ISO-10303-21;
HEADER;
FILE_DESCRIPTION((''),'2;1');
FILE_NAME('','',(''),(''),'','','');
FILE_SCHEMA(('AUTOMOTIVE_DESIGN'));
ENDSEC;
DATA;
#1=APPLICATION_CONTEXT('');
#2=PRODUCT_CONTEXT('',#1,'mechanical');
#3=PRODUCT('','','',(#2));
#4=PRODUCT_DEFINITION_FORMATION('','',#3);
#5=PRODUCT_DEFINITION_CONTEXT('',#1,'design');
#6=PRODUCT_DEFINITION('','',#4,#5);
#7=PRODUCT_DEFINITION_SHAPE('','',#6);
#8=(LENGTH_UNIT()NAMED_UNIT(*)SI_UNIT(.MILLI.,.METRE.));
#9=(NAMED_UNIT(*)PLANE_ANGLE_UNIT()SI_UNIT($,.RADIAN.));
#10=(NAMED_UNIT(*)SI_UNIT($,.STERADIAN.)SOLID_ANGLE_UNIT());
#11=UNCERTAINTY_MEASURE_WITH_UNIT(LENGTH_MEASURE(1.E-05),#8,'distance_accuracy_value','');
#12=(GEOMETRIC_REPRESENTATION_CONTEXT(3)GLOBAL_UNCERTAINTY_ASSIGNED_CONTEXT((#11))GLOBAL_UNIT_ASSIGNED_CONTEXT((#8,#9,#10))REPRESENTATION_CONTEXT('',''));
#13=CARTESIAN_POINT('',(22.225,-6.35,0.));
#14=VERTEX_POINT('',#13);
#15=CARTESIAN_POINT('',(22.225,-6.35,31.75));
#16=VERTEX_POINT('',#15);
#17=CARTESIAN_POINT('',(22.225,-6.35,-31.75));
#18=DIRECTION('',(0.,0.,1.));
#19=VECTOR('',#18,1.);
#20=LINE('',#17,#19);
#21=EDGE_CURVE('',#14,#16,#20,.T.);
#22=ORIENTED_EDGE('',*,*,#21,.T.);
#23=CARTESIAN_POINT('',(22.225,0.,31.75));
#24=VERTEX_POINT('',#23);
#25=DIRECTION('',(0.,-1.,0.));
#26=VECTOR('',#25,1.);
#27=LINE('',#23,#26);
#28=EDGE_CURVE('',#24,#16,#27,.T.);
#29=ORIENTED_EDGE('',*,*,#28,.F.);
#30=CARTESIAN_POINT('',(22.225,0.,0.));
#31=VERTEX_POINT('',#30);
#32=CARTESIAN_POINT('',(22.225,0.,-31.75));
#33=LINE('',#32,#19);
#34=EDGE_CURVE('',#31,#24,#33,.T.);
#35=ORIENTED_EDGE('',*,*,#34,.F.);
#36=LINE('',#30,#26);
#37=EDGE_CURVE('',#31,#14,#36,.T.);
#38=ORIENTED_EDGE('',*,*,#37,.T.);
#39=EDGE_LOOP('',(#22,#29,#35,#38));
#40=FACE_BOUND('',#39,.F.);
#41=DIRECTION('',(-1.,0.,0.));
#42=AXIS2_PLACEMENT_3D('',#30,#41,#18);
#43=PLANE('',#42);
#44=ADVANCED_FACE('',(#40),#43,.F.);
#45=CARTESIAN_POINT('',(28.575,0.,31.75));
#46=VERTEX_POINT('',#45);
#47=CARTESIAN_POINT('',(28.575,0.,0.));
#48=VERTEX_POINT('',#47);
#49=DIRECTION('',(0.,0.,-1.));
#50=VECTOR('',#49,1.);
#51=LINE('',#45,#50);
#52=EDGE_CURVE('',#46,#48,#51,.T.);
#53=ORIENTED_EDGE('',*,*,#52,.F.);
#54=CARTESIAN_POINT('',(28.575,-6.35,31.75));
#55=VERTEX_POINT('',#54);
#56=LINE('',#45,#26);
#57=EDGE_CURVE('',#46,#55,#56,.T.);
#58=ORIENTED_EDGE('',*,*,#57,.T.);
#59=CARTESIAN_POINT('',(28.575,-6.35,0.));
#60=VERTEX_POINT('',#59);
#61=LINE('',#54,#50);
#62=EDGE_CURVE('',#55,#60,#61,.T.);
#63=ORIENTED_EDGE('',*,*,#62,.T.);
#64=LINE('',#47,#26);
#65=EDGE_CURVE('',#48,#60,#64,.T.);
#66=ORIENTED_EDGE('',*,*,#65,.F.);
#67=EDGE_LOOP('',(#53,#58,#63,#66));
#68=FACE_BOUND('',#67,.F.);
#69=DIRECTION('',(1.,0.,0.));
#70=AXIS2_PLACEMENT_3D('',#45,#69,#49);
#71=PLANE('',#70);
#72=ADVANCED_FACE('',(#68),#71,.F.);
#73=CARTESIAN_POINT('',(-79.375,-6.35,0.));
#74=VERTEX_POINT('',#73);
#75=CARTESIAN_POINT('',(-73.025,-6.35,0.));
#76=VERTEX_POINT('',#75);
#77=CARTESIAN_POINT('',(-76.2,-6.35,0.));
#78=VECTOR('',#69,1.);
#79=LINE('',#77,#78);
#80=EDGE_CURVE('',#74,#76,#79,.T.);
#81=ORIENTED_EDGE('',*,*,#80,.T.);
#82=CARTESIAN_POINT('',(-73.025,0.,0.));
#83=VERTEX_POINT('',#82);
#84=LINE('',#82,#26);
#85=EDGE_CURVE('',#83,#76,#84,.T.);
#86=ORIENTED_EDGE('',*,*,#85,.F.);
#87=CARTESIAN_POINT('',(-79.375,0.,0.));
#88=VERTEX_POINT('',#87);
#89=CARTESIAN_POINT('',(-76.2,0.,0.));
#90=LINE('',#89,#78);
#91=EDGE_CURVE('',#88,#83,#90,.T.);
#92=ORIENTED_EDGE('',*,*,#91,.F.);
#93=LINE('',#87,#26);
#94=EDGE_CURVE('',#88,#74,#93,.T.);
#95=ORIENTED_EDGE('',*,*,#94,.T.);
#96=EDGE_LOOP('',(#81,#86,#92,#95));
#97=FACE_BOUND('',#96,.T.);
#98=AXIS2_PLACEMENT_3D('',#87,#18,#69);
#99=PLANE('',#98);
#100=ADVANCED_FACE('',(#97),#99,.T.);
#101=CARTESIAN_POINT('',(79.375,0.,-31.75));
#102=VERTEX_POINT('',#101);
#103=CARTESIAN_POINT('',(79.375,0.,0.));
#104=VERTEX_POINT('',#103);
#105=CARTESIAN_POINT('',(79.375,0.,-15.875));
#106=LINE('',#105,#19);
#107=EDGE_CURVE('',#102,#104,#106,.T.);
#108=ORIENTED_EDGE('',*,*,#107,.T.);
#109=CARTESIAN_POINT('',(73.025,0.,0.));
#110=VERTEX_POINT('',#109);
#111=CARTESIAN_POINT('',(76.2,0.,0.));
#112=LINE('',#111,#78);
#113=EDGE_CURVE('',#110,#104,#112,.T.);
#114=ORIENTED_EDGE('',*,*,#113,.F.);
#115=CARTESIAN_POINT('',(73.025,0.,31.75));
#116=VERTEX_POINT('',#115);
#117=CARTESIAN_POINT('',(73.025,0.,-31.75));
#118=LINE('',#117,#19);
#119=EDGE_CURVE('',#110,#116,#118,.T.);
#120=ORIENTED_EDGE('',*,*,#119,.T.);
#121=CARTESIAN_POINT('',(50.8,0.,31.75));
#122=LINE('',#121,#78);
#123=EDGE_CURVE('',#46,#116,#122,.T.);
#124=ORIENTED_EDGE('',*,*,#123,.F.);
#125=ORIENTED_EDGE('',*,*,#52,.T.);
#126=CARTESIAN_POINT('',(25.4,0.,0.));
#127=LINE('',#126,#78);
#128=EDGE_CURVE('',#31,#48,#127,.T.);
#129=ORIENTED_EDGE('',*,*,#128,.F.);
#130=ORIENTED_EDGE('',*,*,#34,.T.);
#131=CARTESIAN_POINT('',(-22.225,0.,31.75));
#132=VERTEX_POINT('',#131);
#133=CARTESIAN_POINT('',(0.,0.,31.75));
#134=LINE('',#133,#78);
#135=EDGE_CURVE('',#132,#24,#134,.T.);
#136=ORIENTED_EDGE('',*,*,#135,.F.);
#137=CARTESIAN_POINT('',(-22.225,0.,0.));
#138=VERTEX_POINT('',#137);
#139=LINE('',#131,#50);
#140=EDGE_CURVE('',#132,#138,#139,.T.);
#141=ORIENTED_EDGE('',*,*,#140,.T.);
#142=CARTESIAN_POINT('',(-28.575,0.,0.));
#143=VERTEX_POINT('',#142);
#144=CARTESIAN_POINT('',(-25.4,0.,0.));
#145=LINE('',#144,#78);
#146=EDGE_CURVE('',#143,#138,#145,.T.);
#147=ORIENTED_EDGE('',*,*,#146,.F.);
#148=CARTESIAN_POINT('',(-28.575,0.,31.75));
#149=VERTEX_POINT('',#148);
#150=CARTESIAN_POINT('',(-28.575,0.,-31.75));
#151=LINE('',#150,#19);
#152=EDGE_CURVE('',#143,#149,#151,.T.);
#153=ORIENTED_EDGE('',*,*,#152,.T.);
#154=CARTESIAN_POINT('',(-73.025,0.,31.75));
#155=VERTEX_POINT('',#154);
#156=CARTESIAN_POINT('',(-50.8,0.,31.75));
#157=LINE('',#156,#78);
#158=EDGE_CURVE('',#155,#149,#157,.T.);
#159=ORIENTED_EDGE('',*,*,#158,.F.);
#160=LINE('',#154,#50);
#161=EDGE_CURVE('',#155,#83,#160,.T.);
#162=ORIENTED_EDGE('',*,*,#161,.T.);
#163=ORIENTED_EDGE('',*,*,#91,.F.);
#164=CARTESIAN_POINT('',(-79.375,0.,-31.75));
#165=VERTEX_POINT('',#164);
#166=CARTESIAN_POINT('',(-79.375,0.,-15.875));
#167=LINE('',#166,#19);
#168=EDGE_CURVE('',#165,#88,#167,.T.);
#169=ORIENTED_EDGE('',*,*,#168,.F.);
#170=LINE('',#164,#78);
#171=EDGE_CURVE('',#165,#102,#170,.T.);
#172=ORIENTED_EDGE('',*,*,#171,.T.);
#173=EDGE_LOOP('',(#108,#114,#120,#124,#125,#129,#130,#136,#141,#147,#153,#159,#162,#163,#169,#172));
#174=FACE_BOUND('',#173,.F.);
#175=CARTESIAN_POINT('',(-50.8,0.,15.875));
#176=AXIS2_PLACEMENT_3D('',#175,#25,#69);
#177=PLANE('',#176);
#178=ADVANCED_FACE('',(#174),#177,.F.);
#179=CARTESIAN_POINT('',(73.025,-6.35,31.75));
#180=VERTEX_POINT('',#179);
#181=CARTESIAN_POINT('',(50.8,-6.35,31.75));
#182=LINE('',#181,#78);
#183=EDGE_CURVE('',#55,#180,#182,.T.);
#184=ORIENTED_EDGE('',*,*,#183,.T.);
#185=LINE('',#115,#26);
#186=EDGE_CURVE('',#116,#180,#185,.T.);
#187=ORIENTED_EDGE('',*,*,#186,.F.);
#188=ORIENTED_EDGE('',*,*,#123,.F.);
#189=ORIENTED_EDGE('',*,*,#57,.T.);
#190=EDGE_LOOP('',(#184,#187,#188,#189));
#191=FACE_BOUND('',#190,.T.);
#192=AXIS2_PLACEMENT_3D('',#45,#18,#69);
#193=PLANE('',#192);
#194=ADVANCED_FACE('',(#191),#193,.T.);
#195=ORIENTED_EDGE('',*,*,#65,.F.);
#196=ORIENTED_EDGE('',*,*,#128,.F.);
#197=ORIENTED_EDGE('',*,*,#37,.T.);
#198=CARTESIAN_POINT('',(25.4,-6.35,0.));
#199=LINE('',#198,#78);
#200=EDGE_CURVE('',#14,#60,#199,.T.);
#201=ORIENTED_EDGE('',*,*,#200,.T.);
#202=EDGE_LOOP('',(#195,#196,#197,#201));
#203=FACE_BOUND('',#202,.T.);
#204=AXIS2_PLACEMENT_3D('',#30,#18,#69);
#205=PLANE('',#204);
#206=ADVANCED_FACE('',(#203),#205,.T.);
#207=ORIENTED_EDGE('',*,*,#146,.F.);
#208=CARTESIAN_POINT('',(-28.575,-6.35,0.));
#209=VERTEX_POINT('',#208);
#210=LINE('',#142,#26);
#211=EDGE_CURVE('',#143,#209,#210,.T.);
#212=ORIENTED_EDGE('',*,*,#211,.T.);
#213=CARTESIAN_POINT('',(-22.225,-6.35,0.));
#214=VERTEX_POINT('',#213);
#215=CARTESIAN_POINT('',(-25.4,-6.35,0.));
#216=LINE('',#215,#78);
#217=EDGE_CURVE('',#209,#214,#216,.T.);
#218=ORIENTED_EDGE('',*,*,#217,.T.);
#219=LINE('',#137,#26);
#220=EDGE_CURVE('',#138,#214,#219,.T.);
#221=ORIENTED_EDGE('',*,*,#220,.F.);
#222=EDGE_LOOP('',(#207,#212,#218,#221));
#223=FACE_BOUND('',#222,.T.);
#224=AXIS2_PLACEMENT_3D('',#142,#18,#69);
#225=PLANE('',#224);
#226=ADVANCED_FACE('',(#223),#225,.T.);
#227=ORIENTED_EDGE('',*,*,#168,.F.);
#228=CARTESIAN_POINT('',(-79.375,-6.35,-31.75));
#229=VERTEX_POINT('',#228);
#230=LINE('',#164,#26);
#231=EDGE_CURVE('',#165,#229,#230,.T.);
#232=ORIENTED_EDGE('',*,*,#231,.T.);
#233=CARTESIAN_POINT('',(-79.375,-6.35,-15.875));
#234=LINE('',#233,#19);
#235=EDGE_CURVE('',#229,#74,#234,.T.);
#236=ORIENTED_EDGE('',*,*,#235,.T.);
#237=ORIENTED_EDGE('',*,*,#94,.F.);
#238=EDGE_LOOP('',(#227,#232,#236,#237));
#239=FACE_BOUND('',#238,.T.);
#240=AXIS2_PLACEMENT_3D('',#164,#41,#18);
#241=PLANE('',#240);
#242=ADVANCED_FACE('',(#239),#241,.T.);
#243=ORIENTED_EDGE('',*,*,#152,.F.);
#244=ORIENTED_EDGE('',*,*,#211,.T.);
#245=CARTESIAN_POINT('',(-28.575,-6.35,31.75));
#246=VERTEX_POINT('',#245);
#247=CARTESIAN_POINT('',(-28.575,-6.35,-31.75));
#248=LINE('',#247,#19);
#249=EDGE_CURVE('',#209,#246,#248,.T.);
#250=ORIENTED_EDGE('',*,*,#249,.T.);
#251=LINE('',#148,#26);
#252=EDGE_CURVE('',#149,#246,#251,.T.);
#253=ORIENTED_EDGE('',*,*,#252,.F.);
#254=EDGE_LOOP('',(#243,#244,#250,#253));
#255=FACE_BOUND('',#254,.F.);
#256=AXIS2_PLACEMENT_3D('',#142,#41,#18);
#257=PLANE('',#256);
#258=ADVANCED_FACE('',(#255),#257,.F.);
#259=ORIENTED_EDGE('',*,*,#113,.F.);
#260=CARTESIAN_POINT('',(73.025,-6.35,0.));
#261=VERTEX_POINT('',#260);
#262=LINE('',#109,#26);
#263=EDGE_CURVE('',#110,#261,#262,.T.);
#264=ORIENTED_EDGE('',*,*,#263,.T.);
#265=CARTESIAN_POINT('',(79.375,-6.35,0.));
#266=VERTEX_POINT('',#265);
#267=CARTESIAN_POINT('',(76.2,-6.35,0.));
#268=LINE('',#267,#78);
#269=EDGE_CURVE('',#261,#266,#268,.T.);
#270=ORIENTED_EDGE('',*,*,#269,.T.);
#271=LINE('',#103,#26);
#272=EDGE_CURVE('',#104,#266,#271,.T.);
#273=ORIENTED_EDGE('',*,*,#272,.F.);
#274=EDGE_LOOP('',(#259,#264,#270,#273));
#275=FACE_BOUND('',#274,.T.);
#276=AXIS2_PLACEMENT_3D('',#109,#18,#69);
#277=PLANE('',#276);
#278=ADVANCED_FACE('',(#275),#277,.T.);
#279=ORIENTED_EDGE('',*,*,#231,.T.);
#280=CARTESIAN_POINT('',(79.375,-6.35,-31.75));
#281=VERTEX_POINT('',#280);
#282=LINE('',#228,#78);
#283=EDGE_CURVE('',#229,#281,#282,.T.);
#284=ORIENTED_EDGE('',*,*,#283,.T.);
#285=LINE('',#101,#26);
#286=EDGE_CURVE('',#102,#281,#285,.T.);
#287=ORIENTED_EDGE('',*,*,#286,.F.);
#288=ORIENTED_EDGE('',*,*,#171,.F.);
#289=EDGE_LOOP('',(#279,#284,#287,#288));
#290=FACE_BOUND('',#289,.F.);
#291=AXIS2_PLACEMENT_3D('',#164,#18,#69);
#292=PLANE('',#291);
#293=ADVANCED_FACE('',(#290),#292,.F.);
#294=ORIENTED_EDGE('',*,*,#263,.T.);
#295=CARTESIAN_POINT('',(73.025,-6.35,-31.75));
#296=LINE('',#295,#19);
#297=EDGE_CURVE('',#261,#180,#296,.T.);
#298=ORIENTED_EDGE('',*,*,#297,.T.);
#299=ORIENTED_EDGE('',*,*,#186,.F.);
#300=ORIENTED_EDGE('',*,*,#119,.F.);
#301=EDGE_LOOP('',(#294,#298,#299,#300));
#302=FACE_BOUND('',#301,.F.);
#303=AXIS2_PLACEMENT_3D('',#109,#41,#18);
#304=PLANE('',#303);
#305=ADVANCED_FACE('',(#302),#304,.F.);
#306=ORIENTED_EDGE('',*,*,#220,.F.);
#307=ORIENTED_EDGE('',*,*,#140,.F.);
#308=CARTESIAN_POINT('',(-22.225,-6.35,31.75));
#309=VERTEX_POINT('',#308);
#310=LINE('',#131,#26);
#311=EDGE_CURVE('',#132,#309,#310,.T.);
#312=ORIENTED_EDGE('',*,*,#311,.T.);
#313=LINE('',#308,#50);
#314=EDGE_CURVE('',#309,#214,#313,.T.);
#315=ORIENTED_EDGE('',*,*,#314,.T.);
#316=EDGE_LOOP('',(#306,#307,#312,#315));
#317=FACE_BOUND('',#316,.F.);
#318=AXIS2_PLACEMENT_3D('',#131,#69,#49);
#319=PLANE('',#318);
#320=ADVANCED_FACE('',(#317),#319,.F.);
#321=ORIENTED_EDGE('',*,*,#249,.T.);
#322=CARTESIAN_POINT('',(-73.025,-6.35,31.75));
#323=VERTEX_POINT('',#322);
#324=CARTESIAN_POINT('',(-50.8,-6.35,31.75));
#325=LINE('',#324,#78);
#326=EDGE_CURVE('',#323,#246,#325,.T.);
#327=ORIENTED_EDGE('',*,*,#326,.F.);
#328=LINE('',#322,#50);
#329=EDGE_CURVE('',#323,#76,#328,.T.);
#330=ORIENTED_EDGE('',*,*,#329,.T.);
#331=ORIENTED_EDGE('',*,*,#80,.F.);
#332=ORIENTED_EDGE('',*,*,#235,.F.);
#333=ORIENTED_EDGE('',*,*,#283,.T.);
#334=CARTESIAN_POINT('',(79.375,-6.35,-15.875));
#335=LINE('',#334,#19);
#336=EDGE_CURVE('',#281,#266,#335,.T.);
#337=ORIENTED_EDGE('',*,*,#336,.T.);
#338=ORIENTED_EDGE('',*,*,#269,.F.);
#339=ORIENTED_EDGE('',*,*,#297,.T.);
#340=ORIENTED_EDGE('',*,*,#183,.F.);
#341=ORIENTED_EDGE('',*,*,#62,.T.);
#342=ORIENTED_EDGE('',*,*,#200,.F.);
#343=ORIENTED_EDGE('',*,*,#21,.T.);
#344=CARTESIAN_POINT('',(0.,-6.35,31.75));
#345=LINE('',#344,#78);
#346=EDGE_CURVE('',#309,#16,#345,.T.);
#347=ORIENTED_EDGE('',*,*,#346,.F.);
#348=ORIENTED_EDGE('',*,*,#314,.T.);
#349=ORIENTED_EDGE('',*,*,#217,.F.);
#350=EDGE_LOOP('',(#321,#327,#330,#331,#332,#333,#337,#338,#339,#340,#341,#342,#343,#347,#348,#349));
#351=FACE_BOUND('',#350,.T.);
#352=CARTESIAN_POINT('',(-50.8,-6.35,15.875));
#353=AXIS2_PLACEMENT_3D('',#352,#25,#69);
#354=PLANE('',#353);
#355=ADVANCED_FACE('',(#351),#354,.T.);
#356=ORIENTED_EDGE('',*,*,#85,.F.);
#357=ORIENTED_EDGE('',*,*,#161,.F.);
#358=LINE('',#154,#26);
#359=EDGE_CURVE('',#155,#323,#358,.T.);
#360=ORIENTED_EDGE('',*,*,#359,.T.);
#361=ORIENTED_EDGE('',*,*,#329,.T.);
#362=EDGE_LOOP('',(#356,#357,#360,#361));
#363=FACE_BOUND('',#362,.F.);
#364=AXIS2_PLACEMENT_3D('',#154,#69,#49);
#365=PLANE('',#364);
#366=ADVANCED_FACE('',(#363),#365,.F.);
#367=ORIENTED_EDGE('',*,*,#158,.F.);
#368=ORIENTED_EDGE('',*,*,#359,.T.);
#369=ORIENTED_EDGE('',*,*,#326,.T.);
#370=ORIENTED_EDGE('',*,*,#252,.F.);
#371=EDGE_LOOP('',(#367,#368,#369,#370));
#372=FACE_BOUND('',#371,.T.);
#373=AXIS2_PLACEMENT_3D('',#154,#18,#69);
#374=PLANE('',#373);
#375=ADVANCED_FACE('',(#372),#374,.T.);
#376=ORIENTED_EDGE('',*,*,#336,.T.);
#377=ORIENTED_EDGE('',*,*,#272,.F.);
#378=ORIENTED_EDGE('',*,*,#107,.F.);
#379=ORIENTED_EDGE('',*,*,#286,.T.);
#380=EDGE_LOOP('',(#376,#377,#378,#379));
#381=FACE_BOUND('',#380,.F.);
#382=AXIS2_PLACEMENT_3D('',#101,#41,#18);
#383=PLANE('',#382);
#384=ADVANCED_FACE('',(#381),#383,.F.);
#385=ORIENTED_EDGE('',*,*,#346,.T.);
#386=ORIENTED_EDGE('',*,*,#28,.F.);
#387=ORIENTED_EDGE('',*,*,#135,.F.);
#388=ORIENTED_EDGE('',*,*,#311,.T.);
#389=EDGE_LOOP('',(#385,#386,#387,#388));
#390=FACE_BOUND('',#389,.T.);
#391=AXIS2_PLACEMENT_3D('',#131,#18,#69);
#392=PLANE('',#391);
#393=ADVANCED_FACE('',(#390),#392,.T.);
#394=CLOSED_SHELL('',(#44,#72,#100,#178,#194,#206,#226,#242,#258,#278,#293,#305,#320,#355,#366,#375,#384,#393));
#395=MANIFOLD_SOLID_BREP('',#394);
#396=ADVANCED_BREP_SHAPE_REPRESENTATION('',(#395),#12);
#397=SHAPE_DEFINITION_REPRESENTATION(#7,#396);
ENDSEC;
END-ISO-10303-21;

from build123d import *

# Parameters (mm, degrees)
F0_W     = 44.45
F0_H     = 31.75
F0_W_2   = 6.35
F1_DEPTH = 6.35


with BuildPart() as f1:
    # F0 (on Front) → F1 (new body)
    with BuildSketch(Plane.XZ):
        with Locations((-50.8, 15.875)):
            Rectangle(F0_W, F0_H)
        with Locations((0, 15.875)):
            Rectangle(F0_W, F0_H)
        with Locations((50.8, 15.875)):
            Rectangle(F0_W, F0_H)
        with Locations((-50.8, -15.875)):
            Rectangle(F0_W, F0_H)
        with Locations((0, -15.875)):
            Rectangle(F0_W, F0_H)
        with Locations((50.8, -15.875)):
            Rectangle(F0_W, F0_H)
        with Locations((-76.2, -15.875)):
            Rectangle(F0_W_2, F0_H)
        with Locations((-25.4, -15.875)):
            Rectangle(F0_W_2, F0_H)
        with Locations((25.4, -15.875)):
            Rectangle(F0_W_2, F0_H)
        with Locations((76.2, -15.875)):
            Rectangle(F0_W_2, F0_H)
    extrude(amount=F1_DEPTH)


solid = f1.part
